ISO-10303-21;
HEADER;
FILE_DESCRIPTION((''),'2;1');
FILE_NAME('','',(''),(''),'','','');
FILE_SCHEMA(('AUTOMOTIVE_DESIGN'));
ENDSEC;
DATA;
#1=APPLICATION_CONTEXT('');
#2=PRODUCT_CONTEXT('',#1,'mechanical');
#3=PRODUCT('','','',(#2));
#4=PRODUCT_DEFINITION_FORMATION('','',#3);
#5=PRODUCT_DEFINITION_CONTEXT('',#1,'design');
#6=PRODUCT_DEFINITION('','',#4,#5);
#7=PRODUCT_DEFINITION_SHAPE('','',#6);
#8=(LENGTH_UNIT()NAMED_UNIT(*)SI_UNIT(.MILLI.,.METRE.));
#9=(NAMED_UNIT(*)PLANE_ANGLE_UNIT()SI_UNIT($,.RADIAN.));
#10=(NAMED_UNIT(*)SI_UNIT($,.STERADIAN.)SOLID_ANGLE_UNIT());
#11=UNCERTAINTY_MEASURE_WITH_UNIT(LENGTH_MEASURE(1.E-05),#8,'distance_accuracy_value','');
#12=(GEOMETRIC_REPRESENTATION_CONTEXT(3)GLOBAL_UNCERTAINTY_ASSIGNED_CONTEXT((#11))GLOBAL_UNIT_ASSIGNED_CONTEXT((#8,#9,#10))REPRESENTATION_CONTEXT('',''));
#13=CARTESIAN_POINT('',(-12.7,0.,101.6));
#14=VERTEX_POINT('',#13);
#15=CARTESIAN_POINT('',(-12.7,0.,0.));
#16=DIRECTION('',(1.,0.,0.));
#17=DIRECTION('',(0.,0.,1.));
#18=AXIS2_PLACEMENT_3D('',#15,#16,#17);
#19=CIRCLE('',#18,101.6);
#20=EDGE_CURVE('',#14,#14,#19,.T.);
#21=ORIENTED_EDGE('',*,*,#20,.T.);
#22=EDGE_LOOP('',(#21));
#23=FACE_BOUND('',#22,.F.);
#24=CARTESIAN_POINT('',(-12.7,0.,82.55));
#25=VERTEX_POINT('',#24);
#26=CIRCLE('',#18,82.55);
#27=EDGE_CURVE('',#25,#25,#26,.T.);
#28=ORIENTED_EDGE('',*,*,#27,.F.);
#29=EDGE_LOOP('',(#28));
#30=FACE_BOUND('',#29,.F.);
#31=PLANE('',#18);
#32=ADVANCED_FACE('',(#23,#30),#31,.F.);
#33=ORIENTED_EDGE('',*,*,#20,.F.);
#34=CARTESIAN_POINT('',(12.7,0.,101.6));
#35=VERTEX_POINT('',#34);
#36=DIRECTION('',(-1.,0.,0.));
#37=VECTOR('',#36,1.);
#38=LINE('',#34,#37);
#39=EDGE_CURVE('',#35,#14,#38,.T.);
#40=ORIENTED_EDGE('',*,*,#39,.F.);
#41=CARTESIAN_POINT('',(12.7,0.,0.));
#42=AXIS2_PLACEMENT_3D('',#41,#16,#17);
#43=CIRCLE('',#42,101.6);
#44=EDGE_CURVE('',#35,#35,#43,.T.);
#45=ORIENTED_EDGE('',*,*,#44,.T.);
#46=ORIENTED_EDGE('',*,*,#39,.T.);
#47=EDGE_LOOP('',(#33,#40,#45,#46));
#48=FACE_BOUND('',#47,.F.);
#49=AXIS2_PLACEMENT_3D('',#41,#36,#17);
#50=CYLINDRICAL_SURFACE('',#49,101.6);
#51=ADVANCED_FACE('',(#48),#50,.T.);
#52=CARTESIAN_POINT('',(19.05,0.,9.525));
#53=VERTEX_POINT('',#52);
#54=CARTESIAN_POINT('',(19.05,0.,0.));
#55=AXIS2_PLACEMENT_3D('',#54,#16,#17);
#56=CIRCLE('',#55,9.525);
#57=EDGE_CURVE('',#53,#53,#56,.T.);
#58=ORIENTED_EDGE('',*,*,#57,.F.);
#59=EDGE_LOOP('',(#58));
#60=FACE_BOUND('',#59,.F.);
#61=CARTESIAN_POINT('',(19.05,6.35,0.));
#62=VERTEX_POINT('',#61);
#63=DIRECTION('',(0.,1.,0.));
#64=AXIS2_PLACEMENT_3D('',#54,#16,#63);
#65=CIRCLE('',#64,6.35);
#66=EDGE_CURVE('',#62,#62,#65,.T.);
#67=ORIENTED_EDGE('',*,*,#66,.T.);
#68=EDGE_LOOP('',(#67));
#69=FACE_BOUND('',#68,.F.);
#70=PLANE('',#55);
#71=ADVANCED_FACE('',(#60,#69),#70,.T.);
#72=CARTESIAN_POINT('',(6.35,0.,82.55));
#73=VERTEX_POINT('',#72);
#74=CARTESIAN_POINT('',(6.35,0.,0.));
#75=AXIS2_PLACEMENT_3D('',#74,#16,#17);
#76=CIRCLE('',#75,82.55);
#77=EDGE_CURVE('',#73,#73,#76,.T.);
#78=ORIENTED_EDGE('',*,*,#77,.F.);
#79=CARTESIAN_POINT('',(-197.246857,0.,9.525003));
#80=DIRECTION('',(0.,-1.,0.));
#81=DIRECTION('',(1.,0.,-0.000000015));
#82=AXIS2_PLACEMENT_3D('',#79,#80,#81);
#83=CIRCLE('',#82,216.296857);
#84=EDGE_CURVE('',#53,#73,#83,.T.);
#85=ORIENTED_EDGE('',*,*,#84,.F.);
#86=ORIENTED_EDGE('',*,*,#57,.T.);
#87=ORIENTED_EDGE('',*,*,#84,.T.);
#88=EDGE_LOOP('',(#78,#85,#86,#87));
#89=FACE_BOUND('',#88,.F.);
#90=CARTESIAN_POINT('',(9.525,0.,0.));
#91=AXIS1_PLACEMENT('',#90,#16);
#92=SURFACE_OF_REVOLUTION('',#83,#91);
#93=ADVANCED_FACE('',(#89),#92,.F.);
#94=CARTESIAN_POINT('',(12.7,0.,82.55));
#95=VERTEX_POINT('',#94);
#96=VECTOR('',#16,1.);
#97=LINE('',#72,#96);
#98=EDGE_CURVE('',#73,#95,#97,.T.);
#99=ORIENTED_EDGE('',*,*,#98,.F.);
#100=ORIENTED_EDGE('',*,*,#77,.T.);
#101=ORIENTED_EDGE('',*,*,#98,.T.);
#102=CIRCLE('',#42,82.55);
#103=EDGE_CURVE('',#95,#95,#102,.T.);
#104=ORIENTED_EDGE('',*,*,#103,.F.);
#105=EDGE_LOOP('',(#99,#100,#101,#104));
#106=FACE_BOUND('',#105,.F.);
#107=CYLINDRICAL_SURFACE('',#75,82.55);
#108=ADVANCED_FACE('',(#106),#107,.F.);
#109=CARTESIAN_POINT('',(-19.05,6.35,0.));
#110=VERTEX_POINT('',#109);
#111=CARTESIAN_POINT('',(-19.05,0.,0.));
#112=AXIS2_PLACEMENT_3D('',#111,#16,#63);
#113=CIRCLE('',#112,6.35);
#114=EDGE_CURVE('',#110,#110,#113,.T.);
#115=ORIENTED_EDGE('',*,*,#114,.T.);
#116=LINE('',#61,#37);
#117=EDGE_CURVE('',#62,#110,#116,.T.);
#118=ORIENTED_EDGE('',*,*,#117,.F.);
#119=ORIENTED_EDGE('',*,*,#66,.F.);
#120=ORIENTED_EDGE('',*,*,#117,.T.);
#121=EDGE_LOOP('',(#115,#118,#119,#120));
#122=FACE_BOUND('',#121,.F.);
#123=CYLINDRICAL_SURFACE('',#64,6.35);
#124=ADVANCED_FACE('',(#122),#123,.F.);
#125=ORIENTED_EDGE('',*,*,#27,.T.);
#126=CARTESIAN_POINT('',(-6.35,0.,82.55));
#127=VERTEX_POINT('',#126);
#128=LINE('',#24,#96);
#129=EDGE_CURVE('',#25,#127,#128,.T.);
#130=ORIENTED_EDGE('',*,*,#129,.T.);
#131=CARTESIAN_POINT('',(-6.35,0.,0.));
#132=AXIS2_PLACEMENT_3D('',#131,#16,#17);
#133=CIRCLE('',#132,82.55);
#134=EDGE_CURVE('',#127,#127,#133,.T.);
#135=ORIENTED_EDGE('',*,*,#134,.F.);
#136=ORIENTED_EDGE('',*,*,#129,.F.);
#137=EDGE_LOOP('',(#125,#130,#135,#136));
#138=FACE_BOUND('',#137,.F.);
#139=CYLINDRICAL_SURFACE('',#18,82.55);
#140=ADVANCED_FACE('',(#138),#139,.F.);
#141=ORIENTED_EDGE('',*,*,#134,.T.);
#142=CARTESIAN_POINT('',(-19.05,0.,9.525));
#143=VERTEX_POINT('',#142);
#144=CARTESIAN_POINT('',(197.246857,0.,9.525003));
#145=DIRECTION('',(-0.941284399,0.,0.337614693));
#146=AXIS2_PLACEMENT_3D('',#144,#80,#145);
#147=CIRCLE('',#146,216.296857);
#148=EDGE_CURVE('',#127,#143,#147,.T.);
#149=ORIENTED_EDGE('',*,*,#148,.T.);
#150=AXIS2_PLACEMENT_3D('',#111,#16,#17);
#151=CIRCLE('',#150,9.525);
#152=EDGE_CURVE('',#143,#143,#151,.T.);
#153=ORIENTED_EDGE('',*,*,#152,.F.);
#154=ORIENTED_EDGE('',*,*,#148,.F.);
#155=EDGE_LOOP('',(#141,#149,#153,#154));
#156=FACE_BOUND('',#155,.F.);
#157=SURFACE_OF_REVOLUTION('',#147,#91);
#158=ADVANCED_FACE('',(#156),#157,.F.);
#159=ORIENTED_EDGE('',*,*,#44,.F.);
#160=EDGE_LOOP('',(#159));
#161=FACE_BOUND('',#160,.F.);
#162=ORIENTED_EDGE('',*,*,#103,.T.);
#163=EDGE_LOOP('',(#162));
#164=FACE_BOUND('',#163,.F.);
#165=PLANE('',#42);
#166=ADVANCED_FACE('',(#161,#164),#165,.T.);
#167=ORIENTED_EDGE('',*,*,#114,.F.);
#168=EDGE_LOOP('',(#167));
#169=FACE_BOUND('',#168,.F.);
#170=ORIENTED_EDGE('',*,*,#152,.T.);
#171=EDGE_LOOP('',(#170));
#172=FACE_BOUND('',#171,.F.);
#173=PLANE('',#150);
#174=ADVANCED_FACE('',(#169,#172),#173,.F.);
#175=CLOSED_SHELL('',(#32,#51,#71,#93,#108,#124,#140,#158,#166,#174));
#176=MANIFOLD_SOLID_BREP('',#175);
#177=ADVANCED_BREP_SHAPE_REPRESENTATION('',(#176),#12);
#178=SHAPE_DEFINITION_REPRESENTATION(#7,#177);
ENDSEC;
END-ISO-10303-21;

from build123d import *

# Parameters (mm, degrees)
F2_R     = 6.35
F3_DEPTH = 38.101


with BuildPart() as f1:
    # F0 (on Front) → F1 (revolve)
    with BuildSketch(Plane.XZ):
        with BuildLine():
            Line((0, 101.6), (0, 0))
            Line((0, 0), (19.05, 0))
            Line((19.05, 0), (19.05, 9.525))
            ThreePointArc((19.05, 9.525), (15.851349, 46.585561), (6.35, 82.55))
            Line((6.35, 82.55), (12.7, 82.55))
            Line((12.7, 82.55), (12.7, 101.6))
            Line((12.7, 101.6), (0, 101.6))
        make_face()
        with BuildLine():
            Line((-19.05, 0), (0, 0))
            Line((0, 0), (0, 101.6))
            Line((0, 101.6), (-12.7, 101.6))
            Line((-12.7, 101.6), (-12.7, 82.55))
            Line((-12.7, 82.55), (-6.35, 82.55))
            ThreePointArc((-6.35, 82.55), (-15.851349, 46.585561), (-19.05, 9.525))
            Line((-19.05, 9.525), (-19.05, 0))
        make_face()
    revolve(axis=Axis((9.525, 0, 0), (1, 0, 0)))

    # F2 (on face) → F3 (cut, through all)
    with BuildSketch(Plane.YZ.offset(19.05)):
        Circle(F2_R)
    extrude(amount=-F3_DEPTH, mode=Mode.SUBTRACT)


solid = f1.part
